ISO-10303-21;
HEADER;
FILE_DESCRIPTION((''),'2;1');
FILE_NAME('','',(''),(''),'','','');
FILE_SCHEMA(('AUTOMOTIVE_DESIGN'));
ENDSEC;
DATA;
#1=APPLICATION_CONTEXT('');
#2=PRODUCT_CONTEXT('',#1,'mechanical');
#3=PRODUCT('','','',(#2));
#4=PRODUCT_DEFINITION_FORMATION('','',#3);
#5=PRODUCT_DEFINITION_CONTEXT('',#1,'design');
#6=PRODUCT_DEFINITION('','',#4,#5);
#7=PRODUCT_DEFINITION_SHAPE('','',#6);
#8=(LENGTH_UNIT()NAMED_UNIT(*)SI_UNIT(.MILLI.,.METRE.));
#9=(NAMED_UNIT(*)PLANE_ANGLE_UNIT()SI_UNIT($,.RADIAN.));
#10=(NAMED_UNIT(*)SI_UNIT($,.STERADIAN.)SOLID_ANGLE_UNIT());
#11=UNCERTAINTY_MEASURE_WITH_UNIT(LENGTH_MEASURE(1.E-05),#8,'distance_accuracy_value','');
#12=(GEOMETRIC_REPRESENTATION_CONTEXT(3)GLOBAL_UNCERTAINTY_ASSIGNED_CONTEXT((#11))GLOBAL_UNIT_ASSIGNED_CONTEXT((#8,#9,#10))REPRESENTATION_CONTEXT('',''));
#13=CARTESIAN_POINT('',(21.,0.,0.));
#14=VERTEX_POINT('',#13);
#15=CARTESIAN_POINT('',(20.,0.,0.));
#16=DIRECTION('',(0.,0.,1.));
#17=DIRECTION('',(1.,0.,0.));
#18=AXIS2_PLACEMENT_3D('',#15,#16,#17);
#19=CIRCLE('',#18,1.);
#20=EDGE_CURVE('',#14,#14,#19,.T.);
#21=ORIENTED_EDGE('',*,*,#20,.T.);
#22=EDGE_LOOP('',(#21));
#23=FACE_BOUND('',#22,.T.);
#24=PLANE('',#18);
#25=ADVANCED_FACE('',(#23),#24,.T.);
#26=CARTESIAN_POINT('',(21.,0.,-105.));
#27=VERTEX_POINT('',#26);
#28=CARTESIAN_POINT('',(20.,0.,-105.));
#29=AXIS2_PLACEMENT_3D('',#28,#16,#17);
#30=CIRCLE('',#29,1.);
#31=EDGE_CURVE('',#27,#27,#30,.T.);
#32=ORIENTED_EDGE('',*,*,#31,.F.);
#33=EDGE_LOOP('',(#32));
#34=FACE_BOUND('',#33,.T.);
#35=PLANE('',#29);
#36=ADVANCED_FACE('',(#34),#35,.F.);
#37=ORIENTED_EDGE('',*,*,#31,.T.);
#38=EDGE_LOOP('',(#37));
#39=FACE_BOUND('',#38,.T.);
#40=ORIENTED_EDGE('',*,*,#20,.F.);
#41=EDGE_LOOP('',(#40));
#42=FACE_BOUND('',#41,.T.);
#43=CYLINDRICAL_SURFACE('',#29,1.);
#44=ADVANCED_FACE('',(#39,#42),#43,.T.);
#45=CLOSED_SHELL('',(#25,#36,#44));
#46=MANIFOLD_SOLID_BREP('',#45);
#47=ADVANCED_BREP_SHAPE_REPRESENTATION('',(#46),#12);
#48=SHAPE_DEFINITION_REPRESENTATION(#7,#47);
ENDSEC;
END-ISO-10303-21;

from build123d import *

# Parameters (mm, degrees)
SKETCH1_R           = 1
BOSS_EXTRUDE1_DEPTH = 105


with BuildPart() as part:
    # Sketch1 → Boss-Extrude1 (new body)
    with BuildSketch(Plane.XY):
        with Locations((20, 0)):
            Circle(SKETCH1_R)
    extrude(amount=-BOSS_EXTRUDE1_DEPTH)


solid = part.part
